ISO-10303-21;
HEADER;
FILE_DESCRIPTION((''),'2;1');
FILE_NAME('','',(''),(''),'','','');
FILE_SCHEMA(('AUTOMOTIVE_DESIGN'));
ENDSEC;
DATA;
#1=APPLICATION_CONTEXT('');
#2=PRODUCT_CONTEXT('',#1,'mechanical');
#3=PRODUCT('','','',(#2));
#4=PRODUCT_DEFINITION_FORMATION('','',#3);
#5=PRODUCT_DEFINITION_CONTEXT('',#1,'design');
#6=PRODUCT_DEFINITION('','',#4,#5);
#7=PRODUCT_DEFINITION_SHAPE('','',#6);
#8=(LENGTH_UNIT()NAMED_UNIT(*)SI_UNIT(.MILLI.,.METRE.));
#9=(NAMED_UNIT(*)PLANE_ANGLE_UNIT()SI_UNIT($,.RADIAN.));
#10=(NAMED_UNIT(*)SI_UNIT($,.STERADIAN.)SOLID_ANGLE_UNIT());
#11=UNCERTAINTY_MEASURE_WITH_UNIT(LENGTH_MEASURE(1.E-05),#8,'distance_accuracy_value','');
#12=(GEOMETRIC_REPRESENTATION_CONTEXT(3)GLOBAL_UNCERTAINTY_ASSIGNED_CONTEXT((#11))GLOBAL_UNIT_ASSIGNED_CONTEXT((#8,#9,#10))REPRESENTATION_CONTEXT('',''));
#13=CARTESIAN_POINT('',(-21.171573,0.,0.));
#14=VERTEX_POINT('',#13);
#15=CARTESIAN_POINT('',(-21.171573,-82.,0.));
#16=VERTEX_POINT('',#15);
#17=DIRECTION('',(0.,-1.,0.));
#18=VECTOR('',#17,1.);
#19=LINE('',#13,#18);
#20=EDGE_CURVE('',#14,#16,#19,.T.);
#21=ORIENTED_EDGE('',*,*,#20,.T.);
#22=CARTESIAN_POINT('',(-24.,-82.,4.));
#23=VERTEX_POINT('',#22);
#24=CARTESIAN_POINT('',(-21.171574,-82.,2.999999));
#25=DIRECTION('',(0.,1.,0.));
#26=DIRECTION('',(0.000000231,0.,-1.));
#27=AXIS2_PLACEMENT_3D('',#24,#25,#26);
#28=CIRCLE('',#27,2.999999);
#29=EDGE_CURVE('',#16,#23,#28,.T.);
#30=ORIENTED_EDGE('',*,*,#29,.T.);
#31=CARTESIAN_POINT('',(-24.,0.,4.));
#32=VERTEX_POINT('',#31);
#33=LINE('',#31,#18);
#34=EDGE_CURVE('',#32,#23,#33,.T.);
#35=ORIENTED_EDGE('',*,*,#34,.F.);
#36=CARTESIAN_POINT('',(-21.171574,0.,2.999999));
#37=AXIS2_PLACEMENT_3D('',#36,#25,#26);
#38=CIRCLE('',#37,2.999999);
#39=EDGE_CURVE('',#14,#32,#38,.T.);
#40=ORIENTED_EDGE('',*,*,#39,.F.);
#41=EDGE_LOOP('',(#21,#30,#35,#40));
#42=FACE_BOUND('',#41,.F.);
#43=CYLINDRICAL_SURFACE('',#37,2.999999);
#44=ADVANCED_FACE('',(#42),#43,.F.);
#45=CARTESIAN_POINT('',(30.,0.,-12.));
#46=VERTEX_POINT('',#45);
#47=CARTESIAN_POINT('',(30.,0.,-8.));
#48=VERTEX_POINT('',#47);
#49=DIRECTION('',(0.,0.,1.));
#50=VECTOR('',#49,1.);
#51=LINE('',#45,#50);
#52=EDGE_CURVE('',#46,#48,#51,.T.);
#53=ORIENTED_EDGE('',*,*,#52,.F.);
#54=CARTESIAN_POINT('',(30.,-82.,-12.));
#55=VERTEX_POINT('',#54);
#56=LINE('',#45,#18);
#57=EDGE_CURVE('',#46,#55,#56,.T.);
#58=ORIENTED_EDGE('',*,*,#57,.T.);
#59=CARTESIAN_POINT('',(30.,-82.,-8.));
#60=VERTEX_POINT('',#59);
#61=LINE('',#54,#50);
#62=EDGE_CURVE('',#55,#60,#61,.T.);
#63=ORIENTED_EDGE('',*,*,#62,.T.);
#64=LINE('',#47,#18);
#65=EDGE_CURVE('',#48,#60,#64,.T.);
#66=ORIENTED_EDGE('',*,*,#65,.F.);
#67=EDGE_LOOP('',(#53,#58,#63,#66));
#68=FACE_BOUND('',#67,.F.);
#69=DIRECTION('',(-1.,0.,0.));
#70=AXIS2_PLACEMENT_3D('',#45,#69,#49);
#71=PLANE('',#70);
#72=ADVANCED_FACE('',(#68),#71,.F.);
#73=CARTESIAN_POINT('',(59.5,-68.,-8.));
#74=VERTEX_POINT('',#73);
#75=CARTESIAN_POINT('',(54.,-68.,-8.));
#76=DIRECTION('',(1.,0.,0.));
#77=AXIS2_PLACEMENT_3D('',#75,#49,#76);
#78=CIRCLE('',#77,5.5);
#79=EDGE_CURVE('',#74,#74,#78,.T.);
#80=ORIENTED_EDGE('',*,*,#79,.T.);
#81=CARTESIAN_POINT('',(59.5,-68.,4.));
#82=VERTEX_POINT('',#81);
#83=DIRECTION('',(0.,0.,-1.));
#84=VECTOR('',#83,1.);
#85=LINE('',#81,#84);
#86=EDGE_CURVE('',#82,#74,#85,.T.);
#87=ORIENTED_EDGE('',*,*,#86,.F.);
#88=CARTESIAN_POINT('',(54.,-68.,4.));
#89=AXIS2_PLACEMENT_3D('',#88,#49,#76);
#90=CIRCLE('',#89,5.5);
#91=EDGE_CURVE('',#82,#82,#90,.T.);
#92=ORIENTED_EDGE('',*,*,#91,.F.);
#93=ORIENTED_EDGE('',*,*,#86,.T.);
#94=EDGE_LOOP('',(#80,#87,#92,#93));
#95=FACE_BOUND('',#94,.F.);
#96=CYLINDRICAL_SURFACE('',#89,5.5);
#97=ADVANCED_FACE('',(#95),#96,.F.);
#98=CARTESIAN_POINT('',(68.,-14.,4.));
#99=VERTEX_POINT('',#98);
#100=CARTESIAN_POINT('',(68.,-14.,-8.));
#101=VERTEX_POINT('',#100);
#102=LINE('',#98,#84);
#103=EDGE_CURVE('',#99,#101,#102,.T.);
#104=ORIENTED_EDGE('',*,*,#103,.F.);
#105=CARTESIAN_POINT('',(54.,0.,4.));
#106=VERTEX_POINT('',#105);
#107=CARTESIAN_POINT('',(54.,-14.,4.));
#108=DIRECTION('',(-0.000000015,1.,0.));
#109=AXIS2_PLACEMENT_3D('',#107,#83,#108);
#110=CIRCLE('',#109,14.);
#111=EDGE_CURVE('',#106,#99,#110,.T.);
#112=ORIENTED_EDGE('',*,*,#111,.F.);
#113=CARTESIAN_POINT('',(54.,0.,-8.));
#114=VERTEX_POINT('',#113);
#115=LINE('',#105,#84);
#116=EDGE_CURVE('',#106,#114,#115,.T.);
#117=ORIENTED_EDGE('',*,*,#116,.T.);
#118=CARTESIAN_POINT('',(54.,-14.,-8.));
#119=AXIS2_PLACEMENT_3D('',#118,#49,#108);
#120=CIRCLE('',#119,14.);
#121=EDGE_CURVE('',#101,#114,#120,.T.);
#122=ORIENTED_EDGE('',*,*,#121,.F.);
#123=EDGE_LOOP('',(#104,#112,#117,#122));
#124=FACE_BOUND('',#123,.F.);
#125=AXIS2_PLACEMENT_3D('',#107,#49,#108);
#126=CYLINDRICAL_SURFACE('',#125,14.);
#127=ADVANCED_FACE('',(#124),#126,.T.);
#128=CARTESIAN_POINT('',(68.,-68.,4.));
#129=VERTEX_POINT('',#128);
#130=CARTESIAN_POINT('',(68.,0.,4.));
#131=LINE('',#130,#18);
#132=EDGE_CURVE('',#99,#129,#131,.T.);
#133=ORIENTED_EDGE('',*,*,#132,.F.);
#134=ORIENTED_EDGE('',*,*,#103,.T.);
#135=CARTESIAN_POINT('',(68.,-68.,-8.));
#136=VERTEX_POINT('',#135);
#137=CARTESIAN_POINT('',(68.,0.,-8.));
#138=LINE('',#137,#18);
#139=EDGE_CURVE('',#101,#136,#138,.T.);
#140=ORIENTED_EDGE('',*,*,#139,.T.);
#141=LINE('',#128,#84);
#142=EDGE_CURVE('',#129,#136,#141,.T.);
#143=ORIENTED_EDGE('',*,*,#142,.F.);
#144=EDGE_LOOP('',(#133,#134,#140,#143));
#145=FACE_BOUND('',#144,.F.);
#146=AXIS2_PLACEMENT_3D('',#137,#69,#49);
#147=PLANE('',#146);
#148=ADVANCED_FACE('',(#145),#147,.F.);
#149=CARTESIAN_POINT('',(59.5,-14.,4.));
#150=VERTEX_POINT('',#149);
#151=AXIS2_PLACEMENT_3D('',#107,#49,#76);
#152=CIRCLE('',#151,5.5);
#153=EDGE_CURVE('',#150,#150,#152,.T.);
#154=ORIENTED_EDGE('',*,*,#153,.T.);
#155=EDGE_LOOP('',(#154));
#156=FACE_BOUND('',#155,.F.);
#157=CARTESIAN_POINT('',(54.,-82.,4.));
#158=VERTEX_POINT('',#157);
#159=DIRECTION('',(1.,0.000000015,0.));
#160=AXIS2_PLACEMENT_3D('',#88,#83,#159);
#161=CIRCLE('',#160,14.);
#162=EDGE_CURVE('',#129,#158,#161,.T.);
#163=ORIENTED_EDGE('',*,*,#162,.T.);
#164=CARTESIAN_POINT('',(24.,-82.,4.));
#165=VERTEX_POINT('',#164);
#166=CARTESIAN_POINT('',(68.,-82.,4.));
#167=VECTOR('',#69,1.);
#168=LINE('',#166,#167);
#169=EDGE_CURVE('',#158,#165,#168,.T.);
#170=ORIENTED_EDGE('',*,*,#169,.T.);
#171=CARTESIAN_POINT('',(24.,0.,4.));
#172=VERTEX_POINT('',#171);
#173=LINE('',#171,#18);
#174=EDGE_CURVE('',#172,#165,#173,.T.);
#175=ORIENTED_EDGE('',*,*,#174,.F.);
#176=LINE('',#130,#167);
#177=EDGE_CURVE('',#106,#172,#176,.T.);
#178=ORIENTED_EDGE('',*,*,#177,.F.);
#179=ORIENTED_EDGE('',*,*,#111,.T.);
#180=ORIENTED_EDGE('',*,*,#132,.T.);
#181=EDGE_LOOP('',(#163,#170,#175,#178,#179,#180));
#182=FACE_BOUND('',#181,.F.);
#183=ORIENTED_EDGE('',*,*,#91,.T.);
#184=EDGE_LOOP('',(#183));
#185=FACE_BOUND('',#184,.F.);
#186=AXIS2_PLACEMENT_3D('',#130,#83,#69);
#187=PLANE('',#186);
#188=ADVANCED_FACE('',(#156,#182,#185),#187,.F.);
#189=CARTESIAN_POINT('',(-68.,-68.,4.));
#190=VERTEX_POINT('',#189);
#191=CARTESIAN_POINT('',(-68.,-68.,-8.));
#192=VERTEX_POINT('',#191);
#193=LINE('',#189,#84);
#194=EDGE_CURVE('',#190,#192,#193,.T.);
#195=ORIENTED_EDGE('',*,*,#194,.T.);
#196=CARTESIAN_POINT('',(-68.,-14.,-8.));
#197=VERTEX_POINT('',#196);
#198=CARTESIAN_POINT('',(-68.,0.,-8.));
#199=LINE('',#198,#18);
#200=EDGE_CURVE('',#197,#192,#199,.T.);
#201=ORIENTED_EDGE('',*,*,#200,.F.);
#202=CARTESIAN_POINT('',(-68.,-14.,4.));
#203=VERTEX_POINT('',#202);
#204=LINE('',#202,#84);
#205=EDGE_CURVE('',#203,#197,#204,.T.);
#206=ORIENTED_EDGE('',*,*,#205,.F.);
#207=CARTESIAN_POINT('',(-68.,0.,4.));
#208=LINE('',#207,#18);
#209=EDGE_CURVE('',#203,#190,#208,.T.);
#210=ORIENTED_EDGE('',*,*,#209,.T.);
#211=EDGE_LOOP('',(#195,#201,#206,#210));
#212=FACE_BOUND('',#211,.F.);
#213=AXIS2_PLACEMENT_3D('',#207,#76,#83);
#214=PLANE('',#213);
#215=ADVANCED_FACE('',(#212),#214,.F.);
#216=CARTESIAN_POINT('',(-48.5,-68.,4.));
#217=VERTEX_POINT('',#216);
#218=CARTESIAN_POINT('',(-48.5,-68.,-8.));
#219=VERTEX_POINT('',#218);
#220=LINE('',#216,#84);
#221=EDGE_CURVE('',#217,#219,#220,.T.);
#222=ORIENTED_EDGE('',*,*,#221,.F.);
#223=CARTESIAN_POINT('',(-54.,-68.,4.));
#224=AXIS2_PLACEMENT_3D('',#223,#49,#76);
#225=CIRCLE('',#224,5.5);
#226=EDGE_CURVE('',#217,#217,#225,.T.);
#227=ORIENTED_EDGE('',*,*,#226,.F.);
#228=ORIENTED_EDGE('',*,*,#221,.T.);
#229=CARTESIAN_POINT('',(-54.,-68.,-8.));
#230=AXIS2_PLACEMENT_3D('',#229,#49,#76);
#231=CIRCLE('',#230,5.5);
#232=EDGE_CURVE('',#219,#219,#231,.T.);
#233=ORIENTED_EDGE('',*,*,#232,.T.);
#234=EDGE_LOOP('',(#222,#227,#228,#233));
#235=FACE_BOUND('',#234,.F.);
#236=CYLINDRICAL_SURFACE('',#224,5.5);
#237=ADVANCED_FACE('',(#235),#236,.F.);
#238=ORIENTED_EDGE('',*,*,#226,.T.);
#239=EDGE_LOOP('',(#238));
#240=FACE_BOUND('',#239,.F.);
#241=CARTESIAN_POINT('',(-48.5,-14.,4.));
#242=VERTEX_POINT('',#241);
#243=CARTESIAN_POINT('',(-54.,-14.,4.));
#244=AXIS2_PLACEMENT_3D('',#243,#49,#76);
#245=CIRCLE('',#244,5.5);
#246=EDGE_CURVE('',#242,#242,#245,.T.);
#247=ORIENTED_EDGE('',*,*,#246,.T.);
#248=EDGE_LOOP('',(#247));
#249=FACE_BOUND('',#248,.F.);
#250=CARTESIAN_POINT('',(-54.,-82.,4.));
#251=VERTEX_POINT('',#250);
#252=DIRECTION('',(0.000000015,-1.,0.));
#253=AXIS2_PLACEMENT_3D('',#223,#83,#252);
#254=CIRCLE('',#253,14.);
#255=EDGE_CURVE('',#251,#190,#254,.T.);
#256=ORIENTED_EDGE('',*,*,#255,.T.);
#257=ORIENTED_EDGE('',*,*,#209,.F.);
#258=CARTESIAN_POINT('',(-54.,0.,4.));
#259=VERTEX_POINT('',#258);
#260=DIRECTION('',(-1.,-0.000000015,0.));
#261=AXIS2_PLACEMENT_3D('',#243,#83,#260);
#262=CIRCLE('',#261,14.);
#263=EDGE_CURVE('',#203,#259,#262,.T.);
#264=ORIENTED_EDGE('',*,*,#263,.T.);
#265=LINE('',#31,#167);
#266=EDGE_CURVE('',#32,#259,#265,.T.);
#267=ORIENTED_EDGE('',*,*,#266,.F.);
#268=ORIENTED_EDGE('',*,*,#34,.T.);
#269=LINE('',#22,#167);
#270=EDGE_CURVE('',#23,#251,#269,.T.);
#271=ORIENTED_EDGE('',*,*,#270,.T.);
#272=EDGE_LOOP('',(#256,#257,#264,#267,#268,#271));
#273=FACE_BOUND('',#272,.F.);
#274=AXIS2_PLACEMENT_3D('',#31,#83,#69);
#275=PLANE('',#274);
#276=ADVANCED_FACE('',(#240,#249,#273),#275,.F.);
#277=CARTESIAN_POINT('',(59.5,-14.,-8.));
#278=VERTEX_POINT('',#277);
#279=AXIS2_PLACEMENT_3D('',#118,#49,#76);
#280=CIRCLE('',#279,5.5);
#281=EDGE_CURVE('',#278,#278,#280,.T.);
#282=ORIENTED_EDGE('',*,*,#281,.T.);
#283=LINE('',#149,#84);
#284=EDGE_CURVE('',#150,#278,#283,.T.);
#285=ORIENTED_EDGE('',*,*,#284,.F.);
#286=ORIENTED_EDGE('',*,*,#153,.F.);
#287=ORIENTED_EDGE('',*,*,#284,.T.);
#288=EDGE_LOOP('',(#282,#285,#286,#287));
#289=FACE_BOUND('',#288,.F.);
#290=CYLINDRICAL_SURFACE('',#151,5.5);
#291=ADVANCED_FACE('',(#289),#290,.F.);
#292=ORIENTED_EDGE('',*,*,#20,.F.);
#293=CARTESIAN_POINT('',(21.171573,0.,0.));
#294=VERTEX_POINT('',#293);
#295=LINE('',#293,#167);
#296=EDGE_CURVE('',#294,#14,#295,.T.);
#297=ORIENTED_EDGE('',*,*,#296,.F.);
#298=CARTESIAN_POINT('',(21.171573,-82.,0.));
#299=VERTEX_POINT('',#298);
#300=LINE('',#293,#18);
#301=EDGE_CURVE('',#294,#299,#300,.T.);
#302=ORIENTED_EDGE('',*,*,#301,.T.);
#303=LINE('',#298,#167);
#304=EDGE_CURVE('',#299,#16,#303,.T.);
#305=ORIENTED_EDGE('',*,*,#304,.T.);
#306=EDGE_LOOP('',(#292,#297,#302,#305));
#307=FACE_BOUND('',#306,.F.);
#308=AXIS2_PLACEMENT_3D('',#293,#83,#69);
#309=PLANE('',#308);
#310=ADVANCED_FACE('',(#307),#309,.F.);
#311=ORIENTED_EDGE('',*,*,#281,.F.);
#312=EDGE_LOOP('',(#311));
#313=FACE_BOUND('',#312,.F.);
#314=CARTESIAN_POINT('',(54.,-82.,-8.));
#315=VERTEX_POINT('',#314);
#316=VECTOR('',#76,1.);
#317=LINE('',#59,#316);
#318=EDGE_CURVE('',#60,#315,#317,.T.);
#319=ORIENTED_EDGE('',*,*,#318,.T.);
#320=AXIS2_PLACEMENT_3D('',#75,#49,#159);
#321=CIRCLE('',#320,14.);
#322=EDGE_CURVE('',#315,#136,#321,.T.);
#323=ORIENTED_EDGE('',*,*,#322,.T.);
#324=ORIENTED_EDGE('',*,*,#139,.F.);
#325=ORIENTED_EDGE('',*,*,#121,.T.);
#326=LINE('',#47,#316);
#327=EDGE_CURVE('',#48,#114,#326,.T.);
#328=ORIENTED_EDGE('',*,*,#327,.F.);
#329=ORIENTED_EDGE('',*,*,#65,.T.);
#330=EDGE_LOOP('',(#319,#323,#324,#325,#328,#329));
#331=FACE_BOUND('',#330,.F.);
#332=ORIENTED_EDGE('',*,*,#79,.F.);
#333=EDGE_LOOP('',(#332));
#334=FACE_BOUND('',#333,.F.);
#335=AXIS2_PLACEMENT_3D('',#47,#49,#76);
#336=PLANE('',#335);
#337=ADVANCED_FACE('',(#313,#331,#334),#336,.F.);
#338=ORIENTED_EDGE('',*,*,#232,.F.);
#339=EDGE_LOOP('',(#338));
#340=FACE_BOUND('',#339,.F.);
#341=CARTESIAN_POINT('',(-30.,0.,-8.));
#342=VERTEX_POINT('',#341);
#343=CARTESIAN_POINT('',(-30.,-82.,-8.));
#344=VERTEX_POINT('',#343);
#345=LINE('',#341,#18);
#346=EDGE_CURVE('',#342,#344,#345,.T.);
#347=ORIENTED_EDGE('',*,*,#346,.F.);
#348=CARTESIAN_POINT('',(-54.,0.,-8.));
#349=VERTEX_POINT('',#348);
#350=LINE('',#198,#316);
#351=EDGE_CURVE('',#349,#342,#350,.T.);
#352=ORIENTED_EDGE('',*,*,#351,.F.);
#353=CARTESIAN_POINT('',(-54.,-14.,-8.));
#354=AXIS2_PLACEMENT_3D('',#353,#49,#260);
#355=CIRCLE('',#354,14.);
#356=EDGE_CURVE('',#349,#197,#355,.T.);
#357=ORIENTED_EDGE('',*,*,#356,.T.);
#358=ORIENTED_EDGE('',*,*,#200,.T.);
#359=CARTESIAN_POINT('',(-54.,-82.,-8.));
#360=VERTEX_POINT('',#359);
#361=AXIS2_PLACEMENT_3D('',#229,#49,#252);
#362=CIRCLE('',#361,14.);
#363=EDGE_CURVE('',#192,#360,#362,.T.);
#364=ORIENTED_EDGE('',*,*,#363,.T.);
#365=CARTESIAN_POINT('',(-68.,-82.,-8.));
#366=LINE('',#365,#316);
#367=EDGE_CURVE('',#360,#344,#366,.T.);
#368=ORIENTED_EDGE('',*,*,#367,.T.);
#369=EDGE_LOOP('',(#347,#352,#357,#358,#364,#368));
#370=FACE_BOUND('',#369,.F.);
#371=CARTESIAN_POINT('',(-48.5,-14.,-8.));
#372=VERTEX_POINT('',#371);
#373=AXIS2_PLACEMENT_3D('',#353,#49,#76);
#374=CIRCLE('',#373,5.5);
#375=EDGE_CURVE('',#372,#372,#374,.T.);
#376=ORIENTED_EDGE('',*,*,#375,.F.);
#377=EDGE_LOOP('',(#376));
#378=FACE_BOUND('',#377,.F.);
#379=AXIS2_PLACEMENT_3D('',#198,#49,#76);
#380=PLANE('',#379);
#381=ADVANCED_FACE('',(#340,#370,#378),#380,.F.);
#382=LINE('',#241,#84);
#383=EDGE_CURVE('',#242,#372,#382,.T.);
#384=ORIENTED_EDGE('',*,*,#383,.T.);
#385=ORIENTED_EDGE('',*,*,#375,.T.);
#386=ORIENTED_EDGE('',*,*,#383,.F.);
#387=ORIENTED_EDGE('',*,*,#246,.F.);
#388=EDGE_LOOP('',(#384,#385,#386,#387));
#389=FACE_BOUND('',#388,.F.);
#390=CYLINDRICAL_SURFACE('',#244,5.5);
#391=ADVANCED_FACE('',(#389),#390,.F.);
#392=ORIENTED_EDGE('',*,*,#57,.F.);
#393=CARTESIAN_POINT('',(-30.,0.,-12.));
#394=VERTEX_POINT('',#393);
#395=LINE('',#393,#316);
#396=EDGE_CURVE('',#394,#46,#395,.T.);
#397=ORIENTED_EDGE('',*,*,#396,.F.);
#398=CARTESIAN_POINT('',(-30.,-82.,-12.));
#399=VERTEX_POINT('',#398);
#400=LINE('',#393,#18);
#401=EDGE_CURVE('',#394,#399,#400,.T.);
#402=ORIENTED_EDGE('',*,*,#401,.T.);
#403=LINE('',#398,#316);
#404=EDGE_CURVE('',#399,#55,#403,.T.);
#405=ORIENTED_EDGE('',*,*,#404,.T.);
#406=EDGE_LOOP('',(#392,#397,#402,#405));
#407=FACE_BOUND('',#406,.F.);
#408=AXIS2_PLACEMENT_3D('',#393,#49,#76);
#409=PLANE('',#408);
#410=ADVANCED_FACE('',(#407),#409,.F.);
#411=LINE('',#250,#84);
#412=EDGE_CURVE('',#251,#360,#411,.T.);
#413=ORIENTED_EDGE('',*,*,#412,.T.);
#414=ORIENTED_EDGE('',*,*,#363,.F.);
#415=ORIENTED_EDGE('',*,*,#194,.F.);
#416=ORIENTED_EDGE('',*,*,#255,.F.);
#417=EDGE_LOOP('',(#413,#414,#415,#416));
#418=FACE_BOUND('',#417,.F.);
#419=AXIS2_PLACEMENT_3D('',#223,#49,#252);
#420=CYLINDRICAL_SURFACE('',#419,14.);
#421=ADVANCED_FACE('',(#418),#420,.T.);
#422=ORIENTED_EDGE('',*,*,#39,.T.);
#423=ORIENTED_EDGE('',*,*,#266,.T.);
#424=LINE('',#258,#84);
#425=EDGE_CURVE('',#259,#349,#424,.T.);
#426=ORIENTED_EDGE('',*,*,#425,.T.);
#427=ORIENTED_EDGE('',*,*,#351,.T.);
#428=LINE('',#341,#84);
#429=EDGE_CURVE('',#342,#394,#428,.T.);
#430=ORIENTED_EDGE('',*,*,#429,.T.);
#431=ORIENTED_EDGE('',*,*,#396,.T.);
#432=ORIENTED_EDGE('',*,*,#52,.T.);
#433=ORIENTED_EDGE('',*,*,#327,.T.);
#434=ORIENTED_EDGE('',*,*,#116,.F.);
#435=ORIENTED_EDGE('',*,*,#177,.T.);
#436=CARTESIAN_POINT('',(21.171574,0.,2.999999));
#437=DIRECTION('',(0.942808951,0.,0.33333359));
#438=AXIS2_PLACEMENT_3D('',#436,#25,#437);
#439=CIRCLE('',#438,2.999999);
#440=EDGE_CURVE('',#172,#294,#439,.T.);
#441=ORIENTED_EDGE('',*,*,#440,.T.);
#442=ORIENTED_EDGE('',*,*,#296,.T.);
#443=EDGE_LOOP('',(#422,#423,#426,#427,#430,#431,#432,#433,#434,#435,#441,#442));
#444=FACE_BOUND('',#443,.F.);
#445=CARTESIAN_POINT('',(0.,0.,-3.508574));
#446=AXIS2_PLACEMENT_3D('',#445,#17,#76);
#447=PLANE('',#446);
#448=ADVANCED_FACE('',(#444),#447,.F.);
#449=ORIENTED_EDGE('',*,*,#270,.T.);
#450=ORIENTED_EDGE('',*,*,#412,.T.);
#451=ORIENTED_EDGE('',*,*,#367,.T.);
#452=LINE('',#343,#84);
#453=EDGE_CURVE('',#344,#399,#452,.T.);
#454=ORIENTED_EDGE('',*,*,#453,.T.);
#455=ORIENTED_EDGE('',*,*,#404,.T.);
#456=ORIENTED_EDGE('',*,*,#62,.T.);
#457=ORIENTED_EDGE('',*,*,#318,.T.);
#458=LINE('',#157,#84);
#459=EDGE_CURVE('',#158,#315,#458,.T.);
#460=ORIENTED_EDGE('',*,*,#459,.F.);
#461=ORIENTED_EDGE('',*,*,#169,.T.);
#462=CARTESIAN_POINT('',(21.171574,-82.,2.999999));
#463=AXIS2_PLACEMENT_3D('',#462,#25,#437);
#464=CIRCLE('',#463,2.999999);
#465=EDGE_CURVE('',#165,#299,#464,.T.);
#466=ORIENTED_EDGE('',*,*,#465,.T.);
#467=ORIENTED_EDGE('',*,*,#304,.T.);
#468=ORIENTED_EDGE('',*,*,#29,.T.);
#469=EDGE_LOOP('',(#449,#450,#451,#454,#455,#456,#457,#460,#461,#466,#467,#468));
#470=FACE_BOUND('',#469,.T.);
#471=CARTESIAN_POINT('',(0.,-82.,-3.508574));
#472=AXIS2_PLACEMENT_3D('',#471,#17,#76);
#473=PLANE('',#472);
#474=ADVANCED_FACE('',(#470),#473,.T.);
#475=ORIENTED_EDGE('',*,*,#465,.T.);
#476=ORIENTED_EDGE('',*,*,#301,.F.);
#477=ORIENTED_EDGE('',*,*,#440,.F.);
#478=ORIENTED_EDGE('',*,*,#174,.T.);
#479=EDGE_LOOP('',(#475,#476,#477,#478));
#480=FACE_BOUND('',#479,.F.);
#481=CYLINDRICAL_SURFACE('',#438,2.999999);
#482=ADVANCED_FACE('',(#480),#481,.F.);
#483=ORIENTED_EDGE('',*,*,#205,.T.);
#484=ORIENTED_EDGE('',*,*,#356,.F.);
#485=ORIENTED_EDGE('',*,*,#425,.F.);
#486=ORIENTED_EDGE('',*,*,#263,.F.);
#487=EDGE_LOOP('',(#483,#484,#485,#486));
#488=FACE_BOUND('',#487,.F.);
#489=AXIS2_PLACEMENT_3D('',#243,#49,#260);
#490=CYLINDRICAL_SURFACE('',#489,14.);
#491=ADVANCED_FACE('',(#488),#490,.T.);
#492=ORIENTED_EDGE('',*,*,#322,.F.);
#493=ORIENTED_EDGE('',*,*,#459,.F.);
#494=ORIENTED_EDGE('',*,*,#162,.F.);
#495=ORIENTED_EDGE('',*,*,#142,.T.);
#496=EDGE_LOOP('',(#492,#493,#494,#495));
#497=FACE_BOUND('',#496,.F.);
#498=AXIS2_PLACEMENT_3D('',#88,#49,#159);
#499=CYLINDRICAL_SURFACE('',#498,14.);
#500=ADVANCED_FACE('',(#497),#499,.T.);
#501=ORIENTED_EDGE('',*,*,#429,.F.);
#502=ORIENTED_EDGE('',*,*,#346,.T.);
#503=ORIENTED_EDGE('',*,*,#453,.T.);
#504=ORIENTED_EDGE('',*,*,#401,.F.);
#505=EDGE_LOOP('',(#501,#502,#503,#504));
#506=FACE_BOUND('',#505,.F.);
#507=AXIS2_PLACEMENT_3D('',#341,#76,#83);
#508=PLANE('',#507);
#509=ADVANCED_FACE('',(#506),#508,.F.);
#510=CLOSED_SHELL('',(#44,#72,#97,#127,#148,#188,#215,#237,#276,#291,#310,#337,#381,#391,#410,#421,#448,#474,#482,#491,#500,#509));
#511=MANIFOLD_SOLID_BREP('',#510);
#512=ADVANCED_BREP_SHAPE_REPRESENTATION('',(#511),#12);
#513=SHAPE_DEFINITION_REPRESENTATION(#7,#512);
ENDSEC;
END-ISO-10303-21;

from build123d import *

# Parameters (mm, degrees)
F1_DEPTH = 82
F3_DEPTH = 25
F4_R     = 5.5
F5_DEPTH = 25


with BuildPart() as f1:
    # F0 (on Front) → F1 (new body)
    with BuildSketch(Plane.XZ):
        with BuildLine():
            Line((21.171573, 0), (0, 0))
            Line((0, 0), (-21.171573, 0))
            ThreePointArc((-21.171573, 0), (-23.621063, 1.267949), (-24, 4))
            Line((-24, 4), (-68, 4))
            Line((-68, 4), (-68, -8))
            Line((-68, -8), (-30, -8))
            Line((-30, -8), (-30, -12))
            Line((-30, -12), (0, -12))
            Line((0, -12), (30, -12))
            Line((30, -12), (30, -8))
            Line((30, -8), (68, -8))
            Line((68, -8), (68, 4))
            Line((68, 4), (24, 4))
            ThreePointArc((24, 4), (23.621063, 1.267949), (21.171573, 0))
        make_face()
    extrude(amount=F1_DEPTH)

    # F2 (on face) → F3 (cut)
    with BuildSketch(Plane.XY.offset(4)):
        with BuildLine():
            ThreePointArc((-68, -14), (-63.899495, -4.100505), (-54, 0))
            Line((-54, 0), (-68, 0))
            Line((-68, 0), (-68, -14))
        make_face()
        with BuildLine():
            Line((-68, -82), (-54, -82))
            ThreePointArc((-54, -82), (-63.899495, -77.899495), (-68, -68))
            Line((-68, -68), (-68, -82))
        make_face()
        with BuildLine():
            Line((68, 0), (54, 0))
            ThreePointArc((54, 0), (63.899495, -4.100505), (68, -14))
            Line((68, -14), (68, 0))
        make_face()
        with BuildLine():
            ThreePointArc((68, -68), (63.899495, -77.899495), (54, -82))
            Line((54, -82), (68, -82))
            Line((68, -82), (68, -68))
        make_face()
    extrude(amount=-F3_DEPTH, mode=Mode.SUBTRACT)

    # F4 (on face) → F5 (cut)
    with BuildSketch(Plane.XY.offset(4)):
        with Locations((-54, -14)):
            Circle(F4_R)
        with Locations((-54, -68)):
            Circle(F4_R)
        with Locations((54, -14)):
            Circle(F4_R)
        with Locations((54, -68)):
            Circle(F4_R)
    extrude(amount=-F5_DEPTH, mode=Mode.SUBTRACT)


solid = f1.part
